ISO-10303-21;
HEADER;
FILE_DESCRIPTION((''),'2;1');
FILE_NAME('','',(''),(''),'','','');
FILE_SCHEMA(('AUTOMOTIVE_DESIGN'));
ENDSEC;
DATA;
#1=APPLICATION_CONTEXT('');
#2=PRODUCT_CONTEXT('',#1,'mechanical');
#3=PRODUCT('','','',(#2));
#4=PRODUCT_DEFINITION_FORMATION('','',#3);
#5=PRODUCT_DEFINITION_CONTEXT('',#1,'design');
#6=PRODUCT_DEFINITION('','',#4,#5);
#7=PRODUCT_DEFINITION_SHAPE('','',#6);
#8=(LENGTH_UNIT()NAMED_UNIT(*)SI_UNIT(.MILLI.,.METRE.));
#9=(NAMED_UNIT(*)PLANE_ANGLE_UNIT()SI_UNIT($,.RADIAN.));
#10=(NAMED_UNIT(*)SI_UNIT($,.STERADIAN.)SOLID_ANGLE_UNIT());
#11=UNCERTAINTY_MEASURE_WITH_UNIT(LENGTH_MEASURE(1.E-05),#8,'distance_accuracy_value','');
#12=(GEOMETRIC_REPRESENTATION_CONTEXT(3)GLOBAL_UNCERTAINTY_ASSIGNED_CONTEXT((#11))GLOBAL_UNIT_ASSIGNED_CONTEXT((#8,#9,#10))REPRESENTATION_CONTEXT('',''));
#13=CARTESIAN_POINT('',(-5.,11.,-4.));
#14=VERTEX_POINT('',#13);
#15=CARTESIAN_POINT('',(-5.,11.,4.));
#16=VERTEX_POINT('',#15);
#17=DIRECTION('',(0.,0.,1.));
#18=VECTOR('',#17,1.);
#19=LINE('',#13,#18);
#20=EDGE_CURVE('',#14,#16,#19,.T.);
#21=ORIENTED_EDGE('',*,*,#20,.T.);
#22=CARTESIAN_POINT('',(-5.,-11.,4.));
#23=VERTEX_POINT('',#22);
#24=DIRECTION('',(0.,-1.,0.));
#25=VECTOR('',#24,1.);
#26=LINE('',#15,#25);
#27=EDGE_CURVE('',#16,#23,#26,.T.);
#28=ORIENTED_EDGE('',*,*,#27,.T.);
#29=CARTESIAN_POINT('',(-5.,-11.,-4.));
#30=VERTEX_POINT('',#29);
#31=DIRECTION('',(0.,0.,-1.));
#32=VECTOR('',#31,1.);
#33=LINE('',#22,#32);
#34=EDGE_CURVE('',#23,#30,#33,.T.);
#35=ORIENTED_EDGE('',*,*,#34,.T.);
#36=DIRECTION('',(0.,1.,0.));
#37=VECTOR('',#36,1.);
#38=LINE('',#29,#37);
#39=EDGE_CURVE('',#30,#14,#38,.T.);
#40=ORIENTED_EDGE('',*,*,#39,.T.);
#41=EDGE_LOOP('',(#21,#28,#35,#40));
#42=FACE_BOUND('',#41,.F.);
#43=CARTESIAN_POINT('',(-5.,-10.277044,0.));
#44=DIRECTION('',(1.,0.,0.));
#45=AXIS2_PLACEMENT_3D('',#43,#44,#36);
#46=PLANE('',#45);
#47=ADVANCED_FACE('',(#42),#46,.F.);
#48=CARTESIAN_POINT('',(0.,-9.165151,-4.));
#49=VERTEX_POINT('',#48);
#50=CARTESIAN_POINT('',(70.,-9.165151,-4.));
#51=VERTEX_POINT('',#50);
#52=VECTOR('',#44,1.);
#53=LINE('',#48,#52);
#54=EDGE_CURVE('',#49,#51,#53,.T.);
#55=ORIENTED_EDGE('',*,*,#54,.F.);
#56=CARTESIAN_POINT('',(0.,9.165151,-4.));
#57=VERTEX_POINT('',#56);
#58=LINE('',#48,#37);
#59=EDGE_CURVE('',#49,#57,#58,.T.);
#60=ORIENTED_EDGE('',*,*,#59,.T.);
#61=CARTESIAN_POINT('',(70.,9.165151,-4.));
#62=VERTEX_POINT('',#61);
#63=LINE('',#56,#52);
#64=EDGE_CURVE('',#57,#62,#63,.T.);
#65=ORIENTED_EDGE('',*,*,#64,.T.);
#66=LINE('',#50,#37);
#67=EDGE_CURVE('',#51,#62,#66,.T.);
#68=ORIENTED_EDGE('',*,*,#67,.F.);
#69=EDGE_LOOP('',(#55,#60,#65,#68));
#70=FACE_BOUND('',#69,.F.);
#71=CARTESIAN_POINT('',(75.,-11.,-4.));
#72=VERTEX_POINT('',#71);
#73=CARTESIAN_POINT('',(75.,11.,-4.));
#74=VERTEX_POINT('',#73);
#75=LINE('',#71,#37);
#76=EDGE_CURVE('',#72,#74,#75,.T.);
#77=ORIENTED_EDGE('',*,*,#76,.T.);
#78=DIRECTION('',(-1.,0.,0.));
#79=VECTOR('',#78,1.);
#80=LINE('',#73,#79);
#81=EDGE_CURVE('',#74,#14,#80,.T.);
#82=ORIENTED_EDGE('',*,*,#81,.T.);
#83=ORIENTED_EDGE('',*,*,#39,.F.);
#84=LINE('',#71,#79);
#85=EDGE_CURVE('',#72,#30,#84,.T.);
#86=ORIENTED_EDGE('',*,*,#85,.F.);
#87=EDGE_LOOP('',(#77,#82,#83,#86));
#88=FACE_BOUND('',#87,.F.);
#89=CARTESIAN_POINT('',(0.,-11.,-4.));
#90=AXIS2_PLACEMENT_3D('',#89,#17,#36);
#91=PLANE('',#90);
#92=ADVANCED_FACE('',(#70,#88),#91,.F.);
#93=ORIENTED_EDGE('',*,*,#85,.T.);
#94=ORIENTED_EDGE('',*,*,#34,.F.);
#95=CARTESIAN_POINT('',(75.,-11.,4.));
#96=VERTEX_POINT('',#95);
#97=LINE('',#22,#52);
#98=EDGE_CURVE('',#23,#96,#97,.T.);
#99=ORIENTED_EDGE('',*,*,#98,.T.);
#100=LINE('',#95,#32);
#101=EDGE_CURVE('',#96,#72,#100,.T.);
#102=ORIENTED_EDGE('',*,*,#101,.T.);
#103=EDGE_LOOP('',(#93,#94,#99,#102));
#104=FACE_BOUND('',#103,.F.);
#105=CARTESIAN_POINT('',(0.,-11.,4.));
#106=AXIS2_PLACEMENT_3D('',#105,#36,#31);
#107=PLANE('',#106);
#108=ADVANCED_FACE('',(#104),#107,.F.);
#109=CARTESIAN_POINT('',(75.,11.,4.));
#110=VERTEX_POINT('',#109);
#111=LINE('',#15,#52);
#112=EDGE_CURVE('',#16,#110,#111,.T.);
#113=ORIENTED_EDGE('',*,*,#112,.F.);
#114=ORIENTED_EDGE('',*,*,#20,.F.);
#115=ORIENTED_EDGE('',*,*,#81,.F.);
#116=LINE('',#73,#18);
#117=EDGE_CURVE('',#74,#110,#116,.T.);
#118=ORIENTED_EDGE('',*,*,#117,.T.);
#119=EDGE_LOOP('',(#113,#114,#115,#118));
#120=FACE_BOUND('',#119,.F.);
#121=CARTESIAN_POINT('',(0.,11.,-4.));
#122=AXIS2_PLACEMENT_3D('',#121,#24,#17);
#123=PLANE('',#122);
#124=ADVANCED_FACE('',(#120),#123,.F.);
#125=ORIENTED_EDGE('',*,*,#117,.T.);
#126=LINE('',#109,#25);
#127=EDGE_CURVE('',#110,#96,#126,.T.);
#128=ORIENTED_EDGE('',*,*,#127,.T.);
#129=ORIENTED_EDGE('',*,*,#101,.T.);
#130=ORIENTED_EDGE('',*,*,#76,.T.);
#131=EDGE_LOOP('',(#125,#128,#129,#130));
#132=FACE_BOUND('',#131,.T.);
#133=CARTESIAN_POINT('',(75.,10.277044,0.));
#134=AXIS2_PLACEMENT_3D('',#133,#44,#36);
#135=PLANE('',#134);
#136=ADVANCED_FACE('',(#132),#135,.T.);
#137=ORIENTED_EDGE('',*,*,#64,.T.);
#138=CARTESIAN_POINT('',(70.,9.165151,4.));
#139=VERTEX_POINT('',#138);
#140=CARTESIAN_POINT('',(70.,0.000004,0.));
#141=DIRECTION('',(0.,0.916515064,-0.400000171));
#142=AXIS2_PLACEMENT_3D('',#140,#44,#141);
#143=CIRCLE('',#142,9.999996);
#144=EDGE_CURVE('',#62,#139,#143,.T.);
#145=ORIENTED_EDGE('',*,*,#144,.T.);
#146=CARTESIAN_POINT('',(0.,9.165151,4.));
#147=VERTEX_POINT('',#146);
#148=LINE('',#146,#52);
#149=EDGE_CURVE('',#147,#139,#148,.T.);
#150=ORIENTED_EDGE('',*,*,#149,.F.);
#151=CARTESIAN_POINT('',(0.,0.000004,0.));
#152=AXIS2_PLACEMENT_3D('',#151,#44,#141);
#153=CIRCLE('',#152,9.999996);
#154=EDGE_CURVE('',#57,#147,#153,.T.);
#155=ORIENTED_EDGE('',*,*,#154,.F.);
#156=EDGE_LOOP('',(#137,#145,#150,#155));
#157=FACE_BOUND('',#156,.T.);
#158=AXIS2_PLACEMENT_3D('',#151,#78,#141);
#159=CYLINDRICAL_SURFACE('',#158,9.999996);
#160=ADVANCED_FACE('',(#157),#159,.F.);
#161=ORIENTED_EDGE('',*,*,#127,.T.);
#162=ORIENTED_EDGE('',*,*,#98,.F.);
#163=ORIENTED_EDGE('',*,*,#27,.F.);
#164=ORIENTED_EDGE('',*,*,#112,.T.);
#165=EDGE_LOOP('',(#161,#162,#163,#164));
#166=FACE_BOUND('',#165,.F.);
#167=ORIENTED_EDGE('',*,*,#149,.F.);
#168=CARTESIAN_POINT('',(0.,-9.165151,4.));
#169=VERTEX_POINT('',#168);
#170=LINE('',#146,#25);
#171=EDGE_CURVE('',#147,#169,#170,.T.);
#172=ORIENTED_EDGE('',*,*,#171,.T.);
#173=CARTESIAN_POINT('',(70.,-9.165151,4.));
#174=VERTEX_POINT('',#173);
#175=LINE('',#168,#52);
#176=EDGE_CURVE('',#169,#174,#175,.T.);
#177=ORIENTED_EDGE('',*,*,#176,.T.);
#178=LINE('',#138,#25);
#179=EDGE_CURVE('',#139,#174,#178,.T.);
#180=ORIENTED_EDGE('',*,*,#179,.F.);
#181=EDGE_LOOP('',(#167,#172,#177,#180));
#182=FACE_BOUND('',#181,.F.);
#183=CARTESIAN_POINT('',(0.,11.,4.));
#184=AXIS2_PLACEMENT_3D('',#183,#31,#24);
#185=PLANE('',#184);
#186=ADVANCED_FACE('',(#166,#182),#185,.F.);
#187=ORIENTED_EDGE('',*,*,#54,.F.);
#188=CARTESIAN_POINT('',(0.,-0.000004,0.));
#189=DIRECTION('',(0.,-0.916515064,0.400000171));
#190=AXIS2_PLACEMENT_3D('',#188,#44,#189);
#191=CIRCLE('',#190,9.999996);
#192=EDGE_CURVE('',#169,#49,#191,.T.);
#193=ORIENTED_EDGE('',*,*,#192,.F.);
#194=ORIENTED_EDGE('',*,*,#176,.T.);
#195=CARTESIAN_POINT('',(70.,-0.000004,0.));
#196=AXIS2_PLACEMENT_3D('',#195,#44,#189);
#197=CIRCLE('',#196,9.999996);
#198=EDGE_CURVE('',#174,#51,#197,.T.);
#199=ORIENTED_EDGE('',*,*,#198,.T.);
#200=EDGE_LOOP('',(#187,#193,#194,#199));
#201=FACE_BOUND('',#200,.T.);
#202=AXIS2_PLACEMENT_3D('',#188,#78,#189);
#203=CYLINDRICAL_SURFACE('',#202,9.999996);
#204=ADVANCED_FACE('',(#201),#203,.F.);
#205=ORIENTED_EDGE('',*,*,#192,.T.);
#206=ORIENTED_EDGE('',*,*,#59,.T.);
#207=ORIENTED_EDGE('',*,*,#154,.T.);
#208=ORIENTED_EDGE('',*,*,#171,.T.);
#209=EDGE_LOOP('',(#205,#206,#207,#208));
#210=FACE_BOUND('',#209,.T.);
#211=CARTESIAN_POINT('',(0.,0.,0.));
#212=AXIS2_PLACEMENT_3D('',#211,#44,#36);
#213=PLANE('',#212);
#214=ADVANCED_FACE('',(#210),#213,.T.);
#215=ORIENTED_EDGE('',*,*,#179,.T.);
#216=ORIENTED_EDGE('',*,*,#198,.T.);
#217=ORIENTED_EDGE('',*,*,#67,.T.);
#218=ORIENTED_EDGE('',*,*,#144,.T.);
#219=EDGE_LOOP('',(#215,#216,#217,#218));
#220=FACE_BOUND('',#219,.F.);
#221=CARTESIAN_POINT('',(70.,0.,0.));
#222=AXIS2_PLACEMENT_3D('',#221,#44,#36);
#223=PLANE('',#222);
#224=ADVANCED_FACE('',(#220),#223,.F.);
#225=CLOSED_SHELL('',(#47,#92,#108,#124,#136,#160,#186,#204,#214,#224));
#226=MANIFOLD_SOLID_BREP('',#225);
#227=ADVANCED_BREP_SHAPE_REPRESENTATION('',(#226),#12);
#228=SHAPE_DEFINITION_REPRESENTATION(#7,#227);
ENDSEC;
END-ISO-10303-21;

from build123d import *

# Parameters (mm, degrees)
F1_DEPTH = 5
F2_DEPTH = 75
F3_DEPTH = 70


with BuildPart() as f1:
    # F0 (on Right) → F1 (new body)
    with BuildSketch(Plane.YZ):
        with BuildLine():
            Line((-11, -4), (-9.165151, -4))
            ThreePointArc((-9.165151, -4), (-10, 0), (-9.165151, 4))
            Line((-9.165151, 4), (-11, 4))
            Line((-11, 4), (-11, -4))
        make_face()
        with BuildLine():
            Line((-9.165151, -4), (9.165151, -4))
            ThreePointArc((9.165151, -4), (10, 0), (9.165151, 4))
            Line((9.165151, 4), (-9.165151, 4))
            ThreePointArc((-9.165151, 4), (-10, 0), (-9.165151, -4))
        make_face()
        with BuildLine():
            Line((9.165151, -4), (11, -4))
            Line((11, -4), (11, 4))
            Line((11, 4), (9.165151, 4))
            ThreePointArc((9.165151, 4), (10, 0), (9.165151, -4))
        make_face()
    extrude(amount=-F1_DEPTH)

    # F0 (on Right) → F2 (join)
    with BuildSketch(Plane.YZ):
        with BuildLine():
            Line((9.165151, -4), (11, -4))
            Line((11, -4), (11, 4))
            Line((11, 4), (9.165151, 4))
            ThreePointArc((9.165151, 4), (10, 0), (9.165151, -4))
        make_face()
        with BuildLine():
            Line((-9.165151, -4), (9.165151, -4))
            ThreePointArc((9.165151, -4), (10, 0), (9.165151, 4))
            Line((9.165151, 4), (-9.165151, 4))
            ThreePointArc((-9.165151, 4), (-10, 0), (-9.165151, -4))
        make_face()
        with BuildLine():
            Line((-11, -4), (-9.165151, -4))
            ThreePointArc((-9.165151, -4), (-10, 0), (-9.165151, 4))
            Line((-9.165151, 4), (-11, 4))
            Line((-11, 4), (-11, -4))
        make_face()
    extrude(amount=F2_DEPTH)

    # F0 (on Right) → F3 (cut)
    with BuildSketch(Plane.YZ):
        with BuildLine():
            Line((-9.165151, -4), (9.165151, -4))
            ThreePointArc((9.165151, -4), (10, 0), (9.165151, 4))
            Line((9.165151, 4), (-9.165151, 4))
            ThreePointArc((-9.165151, 4), (-10, 0), (-9.165151, -4))
        make_face()
    extrude(amount=F3_DEPTH, mode=Mode.SUBTRACT)


solid = f1.part
